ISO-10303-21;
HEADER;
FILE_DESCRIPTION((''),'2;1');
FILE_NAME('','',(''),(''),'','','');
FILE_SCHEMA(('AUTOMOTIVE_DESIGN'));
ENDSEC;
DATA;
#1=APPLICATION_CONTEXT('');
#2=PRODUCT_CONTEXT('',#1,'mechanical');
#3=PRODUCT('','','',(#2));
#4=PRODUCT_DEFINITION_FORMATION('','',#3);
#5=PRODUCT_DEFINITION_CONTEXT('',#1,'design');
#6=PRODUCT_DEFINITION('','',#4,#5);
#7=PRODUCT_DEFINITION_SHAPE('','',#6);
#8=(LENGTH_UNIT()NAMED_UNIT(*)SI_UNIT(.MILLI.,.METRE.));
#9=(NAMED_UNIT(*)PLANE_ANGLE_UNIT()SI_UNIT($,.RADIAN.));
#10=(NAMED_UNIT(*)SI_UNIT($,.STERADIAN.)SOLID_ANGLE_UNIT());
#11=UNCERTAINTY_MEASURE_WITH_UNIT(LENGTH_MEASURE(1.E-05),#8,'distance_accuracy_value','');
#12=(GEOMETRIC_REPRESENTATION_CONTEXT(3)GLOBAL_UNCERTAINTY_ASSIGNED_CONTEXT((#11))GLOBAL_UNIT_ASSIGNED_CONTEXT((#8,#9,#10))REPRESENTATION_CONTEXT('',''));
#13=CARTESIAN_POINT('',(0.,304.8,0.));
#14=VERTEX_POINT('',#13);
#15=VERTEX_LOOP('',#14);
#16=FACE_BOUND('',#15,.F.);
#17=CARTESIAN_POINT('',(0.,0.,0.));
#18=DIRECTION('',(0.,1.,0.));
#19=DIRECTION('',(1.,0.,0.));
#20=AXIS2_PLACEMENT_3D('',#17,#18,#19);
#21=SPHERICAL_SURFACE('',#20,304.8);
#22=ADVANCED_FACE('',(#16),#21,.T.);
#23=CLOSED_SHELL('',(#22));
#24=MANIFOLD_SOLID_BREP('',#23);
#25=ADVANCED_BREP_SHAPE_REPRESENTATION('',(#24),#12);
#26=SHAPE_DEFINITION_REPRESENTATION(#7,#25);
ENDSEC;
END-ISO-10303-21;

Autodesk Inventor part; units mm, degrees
ref_plane "YZ Plane" through (0, 0, 0) normal (1, 0, 0) x (0, 1, 0)
ref_plane "XZ Plane" through (0, 0, 0) normal (0, 1, 0) x (-1, 0, 0)
ref_plane "XY Plane" through (0, 0, 0) normal (0, 0, 1) x (1, 0, 0)
sketch "Sketch1" plane through (0, 0, 0) normal (0, 0, 1) x (1, 0, 0)
  arc A0 (0, -304.8) -> (0, 304.8) centre (0, 0) ccw
  line L0 (0, 304.8) -> (0, -309.066)
  dimension "d0" = 609.6
revolve "Revolution1" add sketch "Sketch1" angle 360 about axis through (0, 304.8, 0) along (0, -1, 0)
properties part number "FRC 2014 Ball"
